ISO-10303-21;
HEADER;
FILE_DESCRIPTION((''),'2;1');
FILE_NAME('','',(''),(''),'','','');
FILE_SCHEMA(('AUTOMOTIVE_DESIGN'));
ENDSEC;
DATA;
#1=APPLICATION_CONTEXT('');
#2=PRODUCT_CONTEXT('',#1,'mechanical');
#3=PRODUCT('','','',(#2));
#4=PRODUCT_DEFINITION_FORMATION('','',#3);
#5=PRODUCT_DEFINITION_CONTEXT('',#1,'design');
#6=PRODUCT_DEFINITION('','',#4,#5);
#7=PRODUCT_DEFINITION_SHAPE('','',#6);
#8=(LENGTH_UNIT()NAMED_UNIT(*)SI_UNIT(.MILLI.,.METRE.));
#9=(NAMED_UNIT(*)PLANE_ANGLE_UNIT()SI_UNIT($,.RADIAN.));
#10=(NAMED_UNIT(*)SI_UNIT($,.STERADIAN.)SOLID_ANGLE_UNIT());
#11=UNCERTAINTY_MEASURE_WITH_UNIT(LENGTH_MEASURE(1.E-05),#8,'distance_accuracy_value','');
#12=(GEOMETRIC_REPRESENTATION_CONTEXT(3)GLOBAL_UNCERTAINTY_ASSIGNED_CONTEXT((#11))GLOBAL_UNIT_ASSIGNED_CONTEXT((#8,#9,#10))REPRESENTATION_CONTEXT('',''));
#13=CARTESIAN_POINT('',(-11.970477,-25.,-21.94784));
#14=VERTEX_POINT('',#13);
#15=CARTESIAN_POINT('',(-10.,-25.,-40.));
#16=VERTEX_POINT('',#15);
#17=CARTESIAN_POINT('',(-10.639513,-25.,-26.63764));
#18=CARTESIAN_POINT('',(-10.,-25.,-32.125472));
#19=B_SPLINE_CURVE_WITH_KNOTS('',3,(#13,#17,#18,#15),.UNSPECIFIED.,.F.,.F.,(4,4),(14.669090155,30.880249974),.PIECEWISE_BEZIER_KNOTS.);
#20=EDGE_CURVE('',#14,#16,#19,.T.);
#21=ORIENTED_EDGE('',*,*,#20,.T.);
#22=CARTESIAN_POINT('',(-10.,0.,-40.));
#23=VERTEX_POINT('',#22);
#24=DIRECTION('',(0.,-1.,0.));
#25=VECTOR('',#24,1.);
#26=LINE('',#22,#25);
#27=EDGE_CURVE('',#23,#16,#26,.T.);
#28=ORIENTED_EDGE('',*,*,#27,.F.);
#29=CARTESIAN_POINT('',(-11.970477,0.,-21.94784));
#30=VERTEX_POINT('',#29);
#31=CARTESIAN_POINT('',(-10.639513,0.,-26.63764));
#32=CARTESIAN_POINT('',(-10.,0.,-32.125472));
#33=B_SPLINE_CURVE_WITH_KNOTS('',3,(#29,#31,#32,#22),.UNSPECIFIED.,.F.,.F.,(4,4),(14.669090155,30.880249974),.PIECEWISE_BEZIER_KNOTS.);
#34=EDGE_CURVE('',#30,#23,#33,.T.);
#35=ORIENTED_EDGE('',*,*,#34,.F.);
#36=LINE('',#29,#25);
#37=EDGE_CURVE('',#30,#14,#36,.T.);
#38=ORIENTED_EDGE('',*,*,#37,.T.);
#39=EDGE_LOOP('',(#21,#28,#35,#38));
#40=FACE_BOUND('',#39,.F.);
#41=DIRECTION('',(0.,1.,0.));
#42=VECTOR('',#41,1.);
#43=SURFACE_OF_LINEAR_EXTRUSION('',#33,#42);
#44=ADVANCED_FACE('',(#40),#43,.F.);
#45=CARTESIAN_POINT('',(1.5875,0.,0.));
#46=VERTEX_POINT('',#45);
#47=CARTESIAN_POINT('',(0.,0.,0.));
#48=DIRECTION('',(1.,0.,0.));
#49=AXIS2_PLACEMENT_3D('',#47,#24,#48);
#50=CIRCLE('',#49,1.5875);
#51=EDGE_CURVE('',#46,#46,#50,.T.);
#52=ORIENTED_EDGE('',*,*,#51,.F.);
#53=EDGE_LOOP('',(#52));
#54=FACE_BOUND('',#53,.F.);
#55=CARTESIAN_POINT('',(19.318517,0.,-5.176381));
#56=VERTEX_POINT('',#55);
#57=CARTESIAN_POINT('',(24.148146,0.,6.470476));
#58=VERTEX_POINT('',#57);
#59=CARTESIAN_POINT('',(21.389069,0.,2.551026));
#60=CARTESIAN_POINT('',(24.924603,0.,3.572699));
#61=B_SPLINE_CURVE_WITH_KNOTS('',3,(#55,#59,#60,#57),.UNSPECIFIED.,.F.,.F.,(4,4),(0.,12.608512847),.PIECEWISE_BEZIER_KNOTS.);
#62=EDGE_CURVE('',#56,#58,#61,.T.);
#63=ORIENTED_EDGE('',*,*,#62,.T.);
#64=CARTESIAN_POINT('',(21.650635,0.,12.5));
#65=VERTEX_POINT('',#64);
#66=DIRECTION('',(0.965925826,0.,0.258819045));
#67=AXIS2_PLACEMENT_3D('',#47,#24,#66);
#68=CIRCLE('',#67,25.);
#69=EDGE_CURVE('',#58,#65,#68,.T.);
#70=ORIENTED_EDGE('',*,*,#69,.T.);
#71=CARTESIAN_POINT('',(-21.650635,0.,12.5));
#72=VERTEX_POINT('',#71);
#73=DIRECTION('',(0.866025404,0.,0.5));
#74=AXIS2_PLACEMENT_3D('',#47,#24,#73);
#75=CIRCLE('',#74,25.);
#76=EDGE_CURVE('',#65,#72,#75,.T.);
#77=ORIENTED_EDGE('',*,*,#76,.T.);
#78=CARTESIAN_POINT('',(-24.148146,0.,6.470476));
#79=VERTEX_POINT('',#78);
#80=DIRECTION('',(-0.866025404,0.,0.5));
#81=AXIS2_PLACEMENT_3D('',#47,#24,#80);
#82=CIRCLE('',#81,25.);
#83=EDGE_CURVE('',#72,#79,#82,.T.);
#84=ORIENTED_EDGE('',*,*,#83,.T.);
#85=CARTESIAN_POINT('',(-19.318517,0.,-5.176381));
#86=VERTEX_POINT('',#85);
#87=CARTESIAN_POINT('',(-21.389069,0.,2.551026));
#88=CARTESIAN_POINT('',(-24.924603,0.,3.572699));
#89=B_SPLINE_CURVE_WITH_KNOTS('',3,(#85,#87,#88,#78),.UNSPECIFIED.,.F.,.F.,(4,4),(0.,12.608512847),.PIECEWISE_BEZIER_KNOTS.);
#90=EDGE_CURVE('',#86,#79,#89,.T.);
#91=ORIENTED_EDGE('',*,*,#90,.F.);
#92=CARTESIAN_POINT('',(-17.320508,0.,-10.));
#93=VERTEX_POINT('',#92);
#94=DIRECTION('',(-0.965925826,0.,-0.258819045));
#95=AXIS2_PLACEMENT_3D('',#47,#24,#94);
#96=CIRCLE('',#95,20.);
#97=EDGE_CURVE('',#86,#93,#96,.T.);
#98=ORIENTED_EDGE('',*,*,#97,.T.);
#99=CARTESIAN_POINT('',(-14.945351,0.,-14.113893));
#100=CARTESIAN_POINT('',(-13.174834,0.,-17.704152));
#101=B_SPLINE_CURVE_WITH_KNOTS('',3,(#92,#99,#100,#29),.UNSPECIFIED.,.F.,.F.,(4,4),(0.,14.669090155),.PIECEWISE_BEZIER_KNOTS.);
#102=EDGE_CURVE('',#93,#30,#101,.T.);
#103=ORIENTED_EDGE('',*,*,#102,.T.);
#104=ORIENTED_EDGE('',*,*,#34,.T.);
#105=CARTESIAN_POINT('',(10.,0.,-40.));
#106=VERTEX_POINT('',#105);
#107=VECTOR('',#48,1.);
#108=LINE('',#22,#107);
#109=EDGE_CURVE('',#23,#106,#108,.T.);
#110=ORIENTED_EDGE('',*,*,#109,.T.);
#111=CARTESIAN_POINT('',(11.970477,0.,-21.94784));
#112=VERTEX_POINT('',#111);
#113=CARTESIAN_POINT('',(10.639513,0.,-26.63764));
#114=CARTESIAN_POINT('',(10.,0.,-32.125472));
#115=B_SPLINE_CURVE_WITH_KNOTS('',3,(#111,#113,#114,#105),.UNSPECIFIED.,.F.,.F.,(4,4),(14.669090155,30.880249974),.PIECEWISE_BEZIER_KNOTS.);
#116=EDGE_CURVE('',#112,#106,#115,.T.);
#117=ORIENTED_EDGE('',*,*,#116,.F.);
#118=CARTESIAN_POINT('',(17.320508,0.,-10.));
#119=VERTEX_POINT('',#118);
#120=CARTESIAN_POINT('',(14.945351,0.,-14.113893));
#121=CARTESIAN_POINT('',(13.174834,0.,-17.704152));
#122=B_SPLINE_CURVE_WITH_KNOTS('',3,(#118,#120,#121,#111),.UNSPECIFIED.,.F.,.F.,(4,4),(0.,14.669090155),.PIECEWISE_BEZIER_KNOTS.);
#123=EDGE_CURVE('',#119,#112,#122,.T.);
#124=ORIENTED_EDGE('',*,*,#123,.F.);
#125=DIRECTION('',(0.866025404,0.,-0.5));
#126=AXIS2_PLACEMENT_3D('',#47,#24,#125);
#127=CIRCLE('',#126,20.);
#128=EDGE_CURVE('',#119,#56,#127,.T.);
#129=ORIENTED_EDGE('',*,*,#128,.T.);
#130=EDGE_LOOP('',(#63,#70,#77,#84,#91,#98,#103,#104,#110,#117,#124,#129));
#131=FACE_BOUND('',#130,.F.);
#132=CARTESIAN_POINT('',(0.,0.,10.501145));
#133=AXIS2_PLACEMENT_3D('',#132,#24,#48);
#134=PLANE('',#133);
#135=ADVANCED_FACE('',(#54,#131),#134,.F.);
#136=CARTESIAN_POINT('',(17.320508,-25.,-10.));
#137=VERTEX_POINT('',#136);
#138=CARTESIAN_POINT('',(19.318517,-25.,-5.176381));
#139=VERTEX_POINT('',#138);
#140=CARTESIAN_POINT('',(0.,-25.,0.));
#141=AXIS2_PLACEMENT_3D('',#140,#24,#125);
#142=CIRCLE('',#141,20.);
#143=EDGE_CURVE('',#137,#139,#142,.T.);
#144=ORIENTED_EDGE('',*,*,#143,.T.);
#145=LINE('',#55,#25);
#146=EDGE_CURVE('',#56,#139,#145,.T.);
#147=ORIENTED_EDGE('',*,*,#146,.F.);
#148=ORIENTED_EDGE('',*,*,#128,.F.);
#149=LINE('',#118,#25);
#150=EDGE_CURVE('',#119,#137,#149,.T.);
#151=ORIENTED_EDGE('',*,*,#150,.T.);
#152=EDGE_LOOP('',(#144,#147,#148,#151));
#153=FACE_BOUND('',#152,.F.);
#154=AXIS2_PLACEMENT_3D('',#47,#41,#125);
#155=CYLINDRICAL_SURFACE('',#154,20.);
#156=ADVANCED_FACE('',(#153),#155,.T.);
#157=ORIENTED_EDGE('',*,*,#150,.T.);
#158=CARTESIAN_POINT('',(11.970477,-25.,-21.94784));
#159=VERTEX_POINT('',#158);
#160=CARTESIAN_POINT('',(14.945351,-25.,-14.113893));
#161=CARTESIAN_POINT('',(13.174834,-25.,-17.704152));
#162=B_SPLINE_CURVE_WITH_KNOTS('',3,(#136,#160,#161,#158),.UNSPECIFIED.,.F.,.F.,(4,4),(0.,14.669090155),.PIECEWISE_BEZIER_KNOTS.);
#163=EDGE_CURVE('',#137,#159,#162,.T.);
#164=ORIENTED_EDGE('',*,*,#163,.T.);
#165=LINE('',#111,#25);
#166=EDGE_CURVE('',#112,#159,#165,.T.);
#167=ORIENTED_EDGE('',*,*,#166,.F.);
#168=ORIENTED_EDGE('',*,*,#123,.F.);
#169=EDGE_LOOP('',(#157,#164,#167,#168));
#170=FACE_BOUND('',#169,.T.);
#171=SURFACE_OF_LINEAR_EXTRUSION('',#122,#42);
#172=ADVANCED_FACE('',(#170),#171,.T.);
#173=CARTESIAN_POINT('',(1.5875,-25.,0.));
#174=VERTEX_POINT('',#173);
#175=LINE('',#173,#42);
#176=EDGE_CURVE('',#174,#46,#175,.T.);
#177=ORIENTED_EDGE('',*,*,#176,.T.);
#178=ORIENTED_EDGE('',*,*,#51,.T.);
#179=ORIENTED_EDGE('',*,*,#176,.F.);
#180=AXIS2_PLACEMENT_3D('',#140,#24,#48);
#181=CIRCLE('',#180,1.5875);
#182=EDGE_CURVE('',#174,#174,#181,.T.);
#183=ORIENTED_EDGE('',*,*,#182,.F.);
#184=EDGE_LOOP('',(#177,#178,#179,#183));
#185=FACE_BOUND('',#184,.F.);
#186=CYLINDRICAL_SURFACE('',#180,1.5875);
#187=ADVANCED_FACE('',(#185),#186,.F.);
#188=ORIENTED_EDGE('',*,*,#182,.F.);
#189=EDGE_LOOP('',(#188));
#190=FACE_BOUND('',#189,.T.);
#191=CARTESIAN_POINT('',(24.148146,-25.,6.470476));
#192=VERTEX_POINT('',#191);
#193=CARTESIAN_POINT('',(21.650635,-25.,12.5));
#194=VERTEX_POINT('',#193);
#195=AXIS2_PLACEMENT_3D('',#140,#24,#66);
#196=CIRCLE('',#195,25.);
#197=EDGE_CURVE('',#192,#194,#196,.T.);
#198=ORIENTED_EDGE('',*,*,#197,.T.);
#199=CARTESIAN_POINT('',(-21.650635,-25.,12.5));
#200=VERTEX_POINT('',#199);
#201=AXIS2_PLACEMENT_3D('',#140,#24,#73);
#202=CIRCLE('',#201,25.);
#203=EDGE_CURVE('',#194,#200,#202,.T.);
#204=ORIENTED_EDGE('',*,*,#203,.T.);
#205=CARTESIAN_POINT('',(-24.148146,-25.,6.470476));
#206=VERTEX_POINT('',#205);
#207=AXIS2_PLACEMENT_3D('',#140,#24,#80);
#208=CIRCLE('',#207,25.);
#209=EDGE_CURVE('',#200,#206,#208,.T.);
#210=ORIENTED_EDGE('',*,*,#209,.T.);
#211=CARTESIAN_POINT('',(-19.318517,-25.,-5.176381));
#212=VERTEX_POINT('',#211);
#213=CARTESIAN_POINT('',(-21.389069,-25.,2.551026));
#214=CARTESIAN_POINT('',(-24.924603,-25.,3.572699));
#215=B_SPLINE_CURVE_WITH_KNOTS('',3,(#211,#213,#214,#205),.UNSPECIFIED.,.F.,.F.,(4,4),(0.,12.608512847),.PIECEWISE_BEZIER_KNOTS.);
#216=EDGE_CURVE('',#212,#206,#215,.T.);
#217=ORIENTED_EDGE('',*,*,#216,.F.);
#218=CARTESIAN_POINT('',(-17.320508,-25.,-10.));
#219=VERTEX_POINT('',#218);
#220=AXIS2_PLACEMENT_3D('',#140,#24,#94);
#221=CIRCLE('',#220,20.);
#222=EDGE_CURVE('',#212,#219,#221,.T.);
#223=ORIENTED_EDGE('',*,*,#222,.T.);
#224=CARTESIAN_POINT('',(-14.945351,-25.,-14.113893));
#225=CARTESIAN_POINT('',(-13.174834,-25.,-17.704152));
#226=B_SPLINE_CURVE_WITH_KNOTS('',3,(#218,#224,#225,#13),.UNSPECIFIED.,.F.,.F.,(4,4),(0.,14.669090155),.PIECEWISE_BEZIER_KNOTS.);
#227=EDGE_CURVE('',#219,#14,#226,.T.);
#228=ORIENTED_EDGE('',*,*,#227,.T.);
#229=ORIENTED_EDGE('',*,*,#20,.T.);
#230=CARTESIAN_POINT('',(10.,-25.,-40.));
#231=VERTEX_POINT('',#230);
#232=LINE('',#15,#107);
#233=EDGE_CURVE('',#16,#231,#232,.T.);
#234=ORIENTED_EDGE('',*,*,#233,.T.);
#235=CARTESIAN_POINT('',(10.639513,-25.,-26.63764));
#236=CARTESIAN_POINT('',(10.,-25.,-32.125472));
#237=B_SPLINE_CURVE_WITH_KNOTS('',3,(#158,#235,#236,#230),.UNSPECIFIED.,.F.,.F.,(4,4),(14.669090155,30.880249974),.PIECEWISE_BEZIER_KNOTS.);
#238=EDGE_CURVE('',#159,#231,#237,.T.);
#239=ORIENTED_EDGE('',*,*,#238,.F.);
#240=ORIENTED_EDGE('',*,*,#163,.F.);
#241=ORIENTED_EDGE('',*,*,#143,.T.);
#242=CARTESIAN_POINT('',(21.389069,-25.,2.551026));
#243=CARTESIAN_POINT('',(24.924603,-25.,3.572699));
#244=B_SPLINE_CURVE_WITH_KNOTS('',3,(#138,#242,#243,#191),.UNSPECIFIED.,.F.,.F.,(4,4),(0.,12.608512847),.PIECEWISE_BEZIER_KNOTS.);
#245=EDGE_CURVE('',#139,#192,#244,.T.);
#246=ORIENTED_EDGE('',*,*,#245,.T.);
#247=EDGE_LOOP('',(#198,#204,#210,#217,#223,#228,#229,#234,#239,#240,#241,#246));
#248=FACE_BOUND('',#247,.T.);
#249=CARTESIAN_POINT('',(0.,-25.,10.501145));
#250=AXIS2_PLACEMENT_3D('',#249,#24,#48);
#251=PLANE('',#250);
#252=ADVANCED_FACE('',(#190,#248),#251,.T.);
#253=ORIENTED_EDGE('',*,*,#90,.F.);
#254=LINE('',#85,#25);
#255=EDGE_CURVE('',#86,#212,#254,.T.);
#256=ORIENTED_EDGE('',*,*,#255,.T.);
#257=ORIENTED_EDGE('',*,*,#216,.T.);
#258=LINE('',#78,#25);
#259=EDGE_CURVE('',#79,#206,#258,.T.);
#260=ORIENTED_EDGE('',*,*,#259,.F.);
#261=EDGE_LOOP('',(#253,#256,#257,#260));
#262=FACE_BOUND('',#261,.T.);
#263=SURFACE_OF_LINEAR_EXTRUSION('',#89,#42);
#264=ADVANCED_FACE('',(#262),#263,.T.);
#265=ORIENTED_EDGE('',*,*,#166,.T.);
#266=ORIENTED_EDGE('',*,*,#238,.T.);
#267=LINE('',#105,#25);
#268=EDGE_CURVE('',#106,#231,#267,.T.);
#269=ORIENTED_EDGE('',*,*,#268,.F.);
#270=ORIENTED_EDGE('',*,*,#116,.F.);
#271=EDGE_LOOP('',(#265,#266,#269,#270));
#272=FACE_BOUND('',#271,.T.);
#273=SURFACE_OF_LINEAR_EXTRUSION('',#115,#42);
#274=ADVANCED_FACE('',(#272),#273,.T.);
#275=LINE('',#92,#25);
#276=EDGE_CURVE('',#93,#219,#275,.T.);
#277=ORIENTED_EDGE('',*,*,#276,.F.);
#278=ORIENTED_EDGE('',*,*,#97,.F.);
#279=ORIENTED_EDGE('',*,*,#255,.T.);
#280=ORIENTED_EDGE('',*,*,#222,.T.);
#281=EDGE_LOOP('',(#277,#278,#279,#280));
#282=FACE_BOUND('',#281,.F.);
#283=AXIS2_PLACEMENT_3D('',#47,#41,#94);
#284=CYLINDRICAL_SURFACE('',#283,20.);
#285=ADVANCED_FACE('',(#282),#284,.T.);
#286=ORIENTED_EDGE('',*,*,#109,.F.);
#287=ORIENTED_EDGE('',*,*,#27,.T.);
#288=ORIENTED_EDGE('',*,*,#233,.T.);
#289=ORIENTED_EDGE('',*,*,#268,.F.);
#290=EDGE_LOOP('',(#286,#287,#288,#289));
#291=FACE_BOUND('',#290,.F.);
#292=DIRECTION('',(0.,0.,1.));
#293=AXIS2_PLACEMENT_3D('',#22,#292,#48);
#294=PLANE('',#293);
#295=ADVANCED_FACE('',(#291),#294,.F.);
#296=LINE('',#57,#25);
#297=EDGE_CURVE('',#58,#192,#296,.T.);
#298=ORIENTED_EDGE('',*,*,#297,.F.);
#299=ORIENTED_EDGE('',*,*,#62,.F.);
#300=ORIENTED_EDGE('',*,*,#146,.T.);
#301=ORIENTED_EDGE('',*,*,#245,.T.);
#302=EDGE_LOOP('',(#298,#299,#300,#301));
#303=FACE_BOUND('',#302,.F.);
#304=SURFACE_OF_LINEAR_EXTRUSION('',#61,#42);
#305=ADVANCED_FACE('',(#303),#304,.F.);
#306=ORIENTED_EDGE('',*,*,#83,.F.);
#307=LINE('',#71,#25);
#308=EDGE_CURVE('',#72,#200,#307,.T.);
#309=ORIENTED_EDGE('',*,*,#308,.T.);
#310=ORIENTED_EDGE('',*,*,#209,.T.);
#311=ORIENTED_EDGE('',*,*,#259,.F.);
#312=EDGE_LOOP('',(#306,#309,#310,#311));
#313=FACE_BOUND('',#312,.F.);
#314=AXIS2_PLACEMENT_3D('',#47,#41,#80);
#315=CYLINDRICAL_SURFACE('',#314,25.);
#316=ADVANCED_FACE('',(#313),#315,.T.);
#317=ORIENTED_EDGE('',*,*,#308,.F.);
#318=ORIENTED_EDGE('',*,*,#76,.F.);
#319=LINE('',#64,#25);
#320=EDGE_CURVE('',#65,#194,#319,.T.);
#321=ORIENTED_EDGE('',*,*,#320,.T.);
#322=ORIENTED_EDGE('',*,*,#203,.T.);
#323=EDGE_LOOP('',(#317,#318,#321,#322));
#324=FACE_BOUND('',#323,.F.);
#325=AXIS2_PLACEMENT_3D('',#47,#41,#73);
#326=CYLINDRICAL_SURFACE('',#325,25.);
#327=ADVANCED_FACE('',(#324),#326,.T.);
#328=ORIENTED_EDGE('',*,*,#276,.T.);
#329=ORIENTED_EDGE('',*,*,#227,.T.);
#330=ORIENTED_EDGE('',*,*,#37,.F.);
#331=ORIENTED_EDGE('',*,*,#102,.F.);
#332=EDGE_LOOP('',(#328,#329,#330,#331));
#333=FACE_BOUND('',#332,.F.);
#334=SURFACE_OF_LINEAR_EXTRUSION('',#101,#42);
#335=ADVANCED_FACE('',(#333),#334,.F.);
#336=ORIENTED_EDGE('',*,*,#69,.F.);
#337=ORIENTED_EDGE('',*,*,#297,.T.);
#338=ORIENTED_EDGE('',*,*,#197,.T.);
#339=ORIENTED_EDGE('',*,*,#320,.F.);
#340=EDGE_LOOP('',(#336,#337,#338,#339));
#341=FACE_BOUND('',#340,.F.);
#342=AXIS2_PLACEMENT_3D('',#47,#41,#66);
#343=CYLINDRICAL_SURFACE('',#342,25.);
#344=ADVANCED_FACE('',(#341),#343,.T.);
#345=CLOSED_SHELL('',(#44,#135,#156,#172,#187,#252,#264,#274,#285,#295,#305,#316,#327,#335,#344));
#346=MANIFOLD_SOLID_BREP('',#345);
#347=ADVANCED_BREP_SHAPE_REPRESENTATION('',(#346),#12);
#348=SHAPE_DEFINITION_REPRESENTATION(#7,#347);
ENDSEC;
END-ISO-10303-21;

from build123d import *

# Parameters (mm, degrees)
F1_DEPTH = 25
F2_R     = 1.5875
F3_DEPTH = 25


with BuildPart() as f1:
    # F0 (on Front) → F1 (new body)
    with BuildSketch(Plane.XZ):
        with BuildLine():
            Line((-17.3205080757, 10), (0, 0))
            Line((0, 0), (17.3205080757, 10))
            ThreePointArc((17.3205080757, 10), (0, 20), (-17.3205080757, 10))
        make_face()
        with BuildLine():
            ThreePointArc((21.6506350946, 12.5), (0, 25), (-21.6506350946, 12.5))
            Line((-21.6506350946, 12.5), (-17.3205080757, 10))
            ThreePointArc((-17.3205080757, 10), (0, 20), (17.3205080757, 10))
            Line((17.3205080757, 10), (21.6506350946, 12.5))
        make_face()
        with BuildLine():
            Line((19.3185165258, 5.1763809021), (24.1481456572, 6.4704761276))
            ThreePointArc((24.1481456572, 6.4704761276), (23.0969883128, 9.5670858091), (21.6506350946, 12.5))
            Line((21.6506350946, 12.5), (17.3205080757, 10))
            ThreePointArc((17.3205080757, 10), (18.4775906502, 7.6536686473), (19.3185165258, 5.1763809021))
        make_face()
        with BuildLine():
            Line((17.3205080757, 10), (0, 0))
            Line((0, 0), (19.3185165258, 5.1763809021))
            ThreePointArc((19.3185165258, 5.1763809021), (18.4775906502, 7.6536686473), (17.3205080757, 10))
        make_face()
        with BuildLine():
            Line((0, 0), (19.3185165258, -5.1763809021))
            ThreePointArc((19.3185165258, -5.1763809021), (19.8288972275, -2.6105238444), (20, 0))
            ThreePointArc((20, 0), (19.8288972275, 2.6105238444), (19.3185165258, 5.1763809021))
            Line((19.3185165258, 5.1763809021), (0, 0))
        make_face()
        with BuildLine():
            add(Edge.make_bspline(
                [(19.3185165258, -5.1763809021), (21.3890688866, 2.5510257083), (24.9246027925, 3.5726986487), (24.1481456572, 6.4704761276)],
                knots=[0, 0, 0, 0, 12.6085128471, 12.6085128471, 12.6085128471, 12.6085128471], degree=3))
            Line((24.1481456572, 6.4704761276), (19.3185165258, 5.1763809021))
            ThreePointArc((19.3185165258, 5.1763809021), (19.8288972275, 2.6105238444), (20, 0))
            ThreePointArc((20, 0), (19.8288972275, -2.6105238444), (19.3185165258, -5.1763809021))
        make_face()
        with BuildLine():
            Line((0, 0), (17.3205080757, -10))
            ThreePointArc((17.3205080757, -10), (18.4775906502, -7.6536686473), (19.3185165258, -5.1763809021))
            Line((19.3185165258, -5.1763809021), (0, 0))
        make_face()
        with BuildLine():
            ThreePointArc((-17.3205080757, -10), (0, -20), (17.3205080757, -10))
            Line((17.3205080757, -10), (0, 0))
            Line((0, 0), (-17.3205080757, 10))
            ThreePointArc((-17.3205080757, 10), (-19.8288972275, 2.6105238444), (-19.3185165258, -5.1763809021))
            ThreePointArc((-19.3185165258, -5.1763809021), (-18.4775906502, -7.6536686473), (-17.3205080757, -10))
        make_face()
        with BuildLine():
            Line((-10, -40), (10, -40))
            add(Edge.make_bspline(
                [(11.9704769274, -21.9478400334), (10.6395133933, -26.6376402025), (10, -32.1254718634), (10, -40)],
                knots=[14.6690901551, 14.6690901551, 14.6690901551, 14.6690901551, 30.8802499745, 30.8802499745, 30.8802499745, 30.8802499745], degree=3))
            ThreePointArc((11.9704769274, -21.9478400334), (0, -25), (-11.9704769274, -21.9478400334))
            add(Edge.make_bspline(
                [(-11.9704769274, -21.9478400334), (-10.6395133933, -26.6376402025), (-10, -32.1254718634), (-10, -40)],
                knots=[14.6690901551, 14.6690901551, 14.6690901551, 14.6690901551, 30.8802499745, 30.8802499745, 30.8802499745, 30.8802499745], degree=3))
        make_face()
        with BuildLine():
            ThreePointArc((-11.9704769274, -21.9478400334), (0, -25), (11.9704769274, -21.9478400334))
            add(Edge.make_bspline(
                [(17.3205080757, -10), (14.9453507879, -14.1138930984), (13.1748339439, -17.7041522123), (11.9704769274, -21.9478400334)],
                knots=[0, 0, 0, 0, 14.6690901551, 14.6690901551, 14.6690901551, 14.6690901551], degree=3))
            ThreePointArc((17.3205080757, -10), (0, -20), (-17.3205080757, -10))
            add(Edge.make_bspline(
                [(-17.3205080757, -10), (-14.9453507879, -14.1138930984), (-13.1748339439, -17.7041522123), (-11.9704769274, -21.9478400334)],
                knots=[0, 0, 0, 0, 14.6690901551, 14.6690901551, 14.6690901551, 14.6690901551], degree=3))
        make_face()
        with BuildLine():
            ThreePointArc((-21.6506350946, 12.5), (-23.0969883128, 9.5670858091), (-24.1481456572, 6.4704761276))
            add(Edge.make_bspline(
                [(-19.3185165258, -5.1763809021), (-21.3890688866, 2.5510257083), (-24.9246027925, 3.5726986487), (-24.1481456572, 6.4704761276)],
                knots=[0, 0, 0, 0, 12.6085128471, 12.6085128471, 12.6085128471, 12.6085128471], degree=3))
            ThreePointArc((-19.3185165258, -5.1763809021), (-19.8288972275, 2.6105238444), (-17.3205080757, 10))
            Line((-17.3205080757, 10), (-21.6506350946, 12.5))
        make_face()
    extrude(amount=F1_DEPTH)

    # F2 (on face) → F3 (cut)
    with BuildSketch(Plane.XZ.offset(25)):
        Circle(F2_R)
    extrude(amount=-F3_DEPTH, mode=Mode.SUBTRACT)


solid = f1.part
